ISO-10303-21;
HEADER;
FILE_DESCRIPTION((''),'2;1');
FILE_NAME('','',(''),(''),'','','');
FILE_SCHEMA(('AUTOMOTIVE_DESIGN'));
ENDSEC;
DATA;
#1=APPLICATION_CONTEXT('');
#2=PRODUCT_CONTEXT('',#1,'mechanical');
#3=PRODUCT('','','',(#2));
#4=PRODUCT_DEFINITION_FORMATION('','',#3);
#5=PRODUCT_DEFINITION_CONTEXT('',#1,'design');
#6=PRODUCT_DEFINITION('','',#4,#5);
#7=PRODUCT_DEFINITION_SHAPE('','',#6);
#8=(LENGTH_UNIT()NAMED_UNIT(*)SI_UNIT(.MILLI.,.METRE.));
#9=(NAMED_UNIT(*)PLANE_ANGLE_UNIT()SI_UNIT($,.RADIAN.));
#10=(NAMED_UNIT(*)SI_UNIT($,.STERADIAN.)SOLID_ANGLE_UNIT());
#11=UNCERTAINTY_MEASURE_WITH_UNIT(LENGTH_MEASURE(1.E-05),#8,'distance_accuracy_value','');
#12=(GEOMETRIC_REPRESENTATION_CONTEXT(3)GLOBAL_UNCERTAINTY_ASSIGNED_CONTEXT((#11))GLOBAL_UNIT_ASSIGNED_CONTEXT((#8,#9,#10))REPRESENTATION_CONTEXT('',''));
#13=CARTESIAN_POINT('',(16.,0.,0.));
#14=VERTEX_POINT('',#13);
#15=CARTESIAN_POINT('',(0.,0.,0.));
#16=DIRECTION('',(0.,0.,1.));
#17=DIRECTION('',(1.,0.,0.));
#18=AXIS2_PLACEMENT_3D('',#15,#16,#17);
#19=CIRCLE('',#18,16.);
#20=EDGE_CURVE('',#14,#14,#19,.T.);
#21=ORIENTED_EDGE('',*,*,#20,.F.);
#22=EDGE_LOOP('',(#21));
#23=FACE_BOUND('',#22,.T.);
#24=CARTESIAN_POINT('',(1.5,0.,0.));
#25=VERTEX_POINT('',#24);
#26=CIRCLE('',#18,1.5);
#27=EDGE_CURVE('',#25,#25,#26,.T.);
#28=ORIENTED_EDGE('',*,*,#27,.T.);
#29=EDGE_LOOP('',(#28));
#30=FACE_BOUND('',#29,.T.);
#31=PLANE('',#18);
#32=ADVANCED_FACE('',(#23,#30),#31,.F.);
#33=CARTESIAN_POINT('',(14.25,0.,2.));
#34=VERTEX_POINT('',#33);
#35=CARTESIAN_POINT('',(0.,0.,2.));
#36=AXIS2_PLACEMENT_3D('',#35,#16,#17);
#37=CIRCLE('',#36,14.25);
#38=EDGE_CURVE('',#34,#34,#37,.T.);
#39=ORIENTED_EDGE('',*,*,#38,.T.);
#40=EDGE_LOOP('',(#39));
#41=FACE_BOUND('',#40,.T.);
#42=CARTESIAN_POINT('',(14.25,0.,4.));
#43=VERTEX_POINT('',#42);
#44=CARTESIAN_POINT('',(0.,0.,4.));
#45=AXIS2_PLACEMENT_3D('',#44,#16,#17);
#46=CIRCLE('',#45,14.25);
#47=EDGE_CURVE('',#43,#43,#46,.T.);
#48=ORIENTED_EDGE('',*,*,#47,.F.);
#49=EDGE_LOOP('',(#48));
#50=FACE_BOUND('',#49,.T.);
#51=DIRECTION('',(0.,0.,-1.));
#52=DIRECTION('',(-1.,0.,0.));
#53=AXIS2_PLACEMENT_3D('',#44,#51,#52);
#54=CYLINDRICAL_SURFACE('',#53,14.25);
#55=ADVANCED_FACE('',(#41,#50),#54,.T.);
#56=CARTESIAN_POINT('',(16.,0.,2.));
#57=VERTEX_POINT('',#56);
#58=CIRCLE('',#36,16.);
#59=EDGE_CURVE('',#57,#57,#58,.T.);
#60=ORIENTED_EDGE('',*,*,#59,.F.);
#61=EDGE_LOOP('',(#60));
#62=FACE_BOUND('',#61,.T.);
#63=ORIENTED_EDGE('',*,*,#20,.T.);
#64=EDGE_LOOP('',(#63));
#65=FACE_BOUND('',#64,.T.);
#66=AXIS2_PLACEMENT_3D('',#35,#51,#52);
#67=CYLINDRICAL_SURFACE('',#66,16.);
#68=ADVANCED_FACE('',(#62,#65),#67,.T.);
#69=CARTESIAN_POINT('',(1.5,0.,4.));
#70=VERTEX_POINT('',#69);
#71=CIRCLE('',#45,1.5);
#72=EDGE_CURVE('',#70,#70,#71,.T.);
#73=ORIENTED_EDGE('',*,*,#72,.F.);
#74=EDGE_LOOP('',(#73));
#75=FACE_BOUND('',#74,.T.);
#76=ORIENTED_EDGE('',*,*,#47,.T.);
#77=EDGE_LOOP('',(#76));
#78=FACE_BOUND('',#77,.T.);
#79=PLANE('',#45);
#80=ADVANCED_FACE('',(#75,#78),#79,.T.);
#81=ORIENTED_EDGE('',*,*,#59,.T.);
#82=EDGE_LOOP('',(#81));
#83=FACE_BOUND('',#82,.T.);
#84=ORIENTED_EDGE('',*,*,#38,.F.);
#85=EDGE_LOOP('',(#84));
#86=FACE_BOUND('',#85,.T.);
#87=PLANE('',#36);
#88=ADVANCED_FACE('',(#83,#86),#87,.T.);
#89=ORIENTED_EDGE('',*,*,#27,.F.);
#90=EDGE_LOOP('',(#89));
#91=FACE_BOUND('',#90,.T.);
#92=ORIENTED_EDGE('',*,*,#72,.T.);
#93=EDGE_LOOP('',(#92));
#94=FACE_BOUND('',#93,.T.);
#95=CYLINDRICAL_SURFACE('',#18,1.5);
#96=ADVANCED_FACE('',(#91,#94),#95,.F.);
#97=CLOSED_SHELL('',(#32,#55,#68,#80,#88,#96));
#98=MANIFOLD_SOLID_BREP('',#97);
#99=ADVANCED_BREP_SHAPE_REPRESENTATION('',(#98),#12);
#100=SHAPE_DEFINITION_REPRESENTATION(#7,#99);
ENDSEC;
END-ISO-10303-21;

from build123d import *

# Parameters (mm, degrees)
ESQUISSE1_R             = 16
BOSS_EXTRU_1_DEPTH      = 2
ESQUISSE2_R             = 14.25
BOSS_EXTRU_2_DEPTH      = 2
ESQUISSE3_R             = 1.5
ENL_V_MAT_EXTRU_1_DEPTH = 5


with BuildPart() as part:
    # Esquisse1 → Boss.-Extru.1 (new body)
    with BuildSketch(Plane.XY):
        Circle(ESQUISSE1_R)
    extrude(amount=BOSS_EXTRU_1_DEPTH)

    # Esquisse2 → Boss.-Extru.2 (add)
    with BuildSketch(Plane.XY.offset(2)):
        Circle(ESQUISSE2_R)
    extrude(amount=BOSS_EXTRU_2_DEPTH)

    # Esquisse3 → Enlèv. mat.-Extru.1 (cut, through all)
    with BuildSketch(Plane.XY.offset(4)):
        Circle(ESQUISSE3_R)
    extrude(amount=-ENL_V_MAT_EXTRU_1_DEPTH, mode=Mode.SUBTRACT)


solid = part.part
